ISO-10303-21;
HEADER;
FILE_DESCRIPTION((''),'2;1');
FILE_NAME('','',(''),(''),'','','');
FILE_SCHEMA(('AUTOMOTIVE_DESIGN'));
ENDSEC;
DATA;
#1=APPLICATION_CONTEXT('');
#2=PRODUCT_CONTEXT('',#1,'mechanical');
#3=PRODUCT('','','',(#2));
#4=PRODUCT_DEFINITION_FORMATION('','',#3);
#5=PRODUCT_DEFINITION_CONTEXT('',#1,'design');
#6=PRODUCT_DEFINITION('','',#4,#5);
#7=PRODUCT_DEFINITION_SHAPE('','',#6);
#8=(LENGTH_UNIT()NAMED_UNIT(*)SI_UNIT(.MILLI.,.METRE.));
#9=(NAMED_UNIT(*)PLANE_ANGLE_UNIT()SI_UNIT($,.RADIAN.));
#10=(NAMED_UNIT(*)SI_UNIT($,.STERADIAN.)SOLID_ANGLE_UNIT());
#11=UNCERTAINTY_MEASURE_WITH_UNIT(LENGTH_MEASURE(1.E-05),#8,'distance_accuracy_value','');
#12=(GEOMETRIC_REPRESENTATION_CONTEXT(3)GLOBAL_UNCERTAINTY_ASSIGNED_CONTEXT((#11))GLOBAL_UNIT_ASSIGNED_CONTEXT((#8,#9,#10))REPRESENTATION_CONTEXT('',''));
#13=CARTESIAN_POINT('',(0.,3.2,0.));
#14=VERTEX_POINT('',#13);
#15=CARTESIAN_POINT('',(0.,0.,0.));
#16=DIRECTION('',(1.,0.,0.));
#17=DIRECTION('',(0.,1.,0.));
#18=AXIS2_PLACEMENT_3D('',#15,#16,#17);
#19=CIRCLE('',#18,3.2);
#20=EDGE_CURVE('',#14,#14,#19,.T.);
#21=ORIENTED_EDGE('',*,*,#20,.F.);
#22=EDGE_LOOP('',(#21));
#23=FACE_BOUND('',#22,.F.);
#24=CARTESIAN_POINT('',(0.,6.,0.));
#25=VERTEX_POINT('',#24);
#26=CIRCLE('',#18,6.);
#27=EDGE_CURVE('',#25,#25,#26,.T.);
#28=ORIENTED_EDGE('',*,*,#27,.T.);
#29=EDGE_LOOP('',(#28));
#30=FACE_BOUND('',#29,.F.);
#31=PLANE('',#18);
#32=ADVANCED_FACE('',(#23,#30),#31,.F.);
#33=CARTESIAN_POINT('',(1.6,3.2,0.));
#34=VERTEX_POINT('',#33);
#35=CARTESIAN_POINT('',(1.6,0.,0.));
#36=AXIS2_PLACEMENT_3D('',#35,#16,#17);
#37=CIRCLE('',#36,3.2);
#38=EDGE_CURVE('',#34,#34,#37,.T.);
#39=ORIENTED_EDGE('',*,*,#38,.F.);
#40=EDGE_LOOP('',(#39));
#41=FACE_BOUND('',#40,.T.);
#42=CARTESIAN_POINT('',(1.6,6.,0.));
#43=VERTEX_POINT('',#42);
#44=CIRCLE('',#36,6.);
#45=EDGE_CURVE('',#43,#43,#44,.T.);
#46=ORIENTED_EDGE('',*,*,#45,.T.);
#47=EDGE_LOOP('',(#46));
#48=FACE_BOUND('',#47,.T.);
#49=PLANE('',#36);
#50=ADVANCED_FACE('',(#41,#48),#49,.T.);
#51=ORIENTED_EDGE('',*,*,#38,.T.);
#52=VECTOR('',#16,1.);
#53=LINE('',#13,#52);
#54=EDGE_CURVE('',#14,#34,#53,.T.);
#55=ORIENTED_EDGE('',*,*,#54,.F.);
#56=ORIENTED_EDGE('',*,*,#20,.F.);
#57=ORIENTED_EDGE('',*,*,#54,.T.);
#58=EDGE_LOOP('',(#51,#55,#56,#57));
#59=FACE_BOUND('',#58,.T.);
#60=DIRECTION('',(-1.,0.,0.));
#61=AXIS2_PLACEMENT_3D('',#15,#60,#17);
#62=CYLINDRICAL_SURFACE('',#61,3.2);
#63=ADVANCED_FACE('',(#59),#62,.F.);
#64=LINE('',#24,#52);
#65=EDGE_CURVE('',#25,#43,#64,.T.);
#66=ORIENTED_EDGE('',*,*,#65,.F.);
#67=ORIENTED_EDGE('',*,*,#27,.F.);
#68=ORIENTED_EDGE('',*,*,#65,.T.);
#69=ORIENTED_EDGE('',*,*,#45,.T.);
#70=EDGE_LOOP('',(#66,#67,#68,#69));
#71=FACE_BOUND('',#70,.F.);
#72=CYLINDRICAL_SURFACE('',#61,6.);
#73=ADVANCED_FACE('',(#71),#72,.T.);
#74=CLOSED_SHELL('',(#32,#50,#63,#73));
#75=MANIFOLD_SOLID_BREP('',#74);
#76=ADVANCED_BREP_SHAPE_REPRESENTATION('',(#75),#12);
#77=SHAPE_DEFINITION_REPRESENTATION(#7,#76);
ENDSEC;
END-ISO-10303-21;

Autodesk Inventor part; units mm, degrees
ref_plane "YZ Plane" through (0, 0, 0) normal (1, 0, 0) x (0, 1, 0)
ref_plane "XZ Plane" through (0, 0, 0) normal (0, 1, 0) x (-1, 0, 0)
sketch "Esquisse" plane through (0, 0, 0) normal (1, 0, 0) x (0, 1, 0)
  circle A0 centre (0, 0) radius 6
  circle A1 centre (0, 0) radius 3.2
  dimension "d0" = 6.4
  dimension "d1" = 12
extrude "Corps" add sketch "Esquisse" along normal blind 1.6
ref_plane "Work Plane1" through (0, 0, 0) normal (0, 0, 1) x (1, 0, 0)
equation "\"d0\" = SD1"
equation "\"d1\" = SD2"
equation "\"d2\" = SD"
equation "\"SD1\" = 6.4"
equation "\"SD2\" = 12"
equation "\"SD\" = 1.6"
equation "\"NND\" = 6"
properties part number "ISO 7089 - 6" material "Acier inoxydable"
